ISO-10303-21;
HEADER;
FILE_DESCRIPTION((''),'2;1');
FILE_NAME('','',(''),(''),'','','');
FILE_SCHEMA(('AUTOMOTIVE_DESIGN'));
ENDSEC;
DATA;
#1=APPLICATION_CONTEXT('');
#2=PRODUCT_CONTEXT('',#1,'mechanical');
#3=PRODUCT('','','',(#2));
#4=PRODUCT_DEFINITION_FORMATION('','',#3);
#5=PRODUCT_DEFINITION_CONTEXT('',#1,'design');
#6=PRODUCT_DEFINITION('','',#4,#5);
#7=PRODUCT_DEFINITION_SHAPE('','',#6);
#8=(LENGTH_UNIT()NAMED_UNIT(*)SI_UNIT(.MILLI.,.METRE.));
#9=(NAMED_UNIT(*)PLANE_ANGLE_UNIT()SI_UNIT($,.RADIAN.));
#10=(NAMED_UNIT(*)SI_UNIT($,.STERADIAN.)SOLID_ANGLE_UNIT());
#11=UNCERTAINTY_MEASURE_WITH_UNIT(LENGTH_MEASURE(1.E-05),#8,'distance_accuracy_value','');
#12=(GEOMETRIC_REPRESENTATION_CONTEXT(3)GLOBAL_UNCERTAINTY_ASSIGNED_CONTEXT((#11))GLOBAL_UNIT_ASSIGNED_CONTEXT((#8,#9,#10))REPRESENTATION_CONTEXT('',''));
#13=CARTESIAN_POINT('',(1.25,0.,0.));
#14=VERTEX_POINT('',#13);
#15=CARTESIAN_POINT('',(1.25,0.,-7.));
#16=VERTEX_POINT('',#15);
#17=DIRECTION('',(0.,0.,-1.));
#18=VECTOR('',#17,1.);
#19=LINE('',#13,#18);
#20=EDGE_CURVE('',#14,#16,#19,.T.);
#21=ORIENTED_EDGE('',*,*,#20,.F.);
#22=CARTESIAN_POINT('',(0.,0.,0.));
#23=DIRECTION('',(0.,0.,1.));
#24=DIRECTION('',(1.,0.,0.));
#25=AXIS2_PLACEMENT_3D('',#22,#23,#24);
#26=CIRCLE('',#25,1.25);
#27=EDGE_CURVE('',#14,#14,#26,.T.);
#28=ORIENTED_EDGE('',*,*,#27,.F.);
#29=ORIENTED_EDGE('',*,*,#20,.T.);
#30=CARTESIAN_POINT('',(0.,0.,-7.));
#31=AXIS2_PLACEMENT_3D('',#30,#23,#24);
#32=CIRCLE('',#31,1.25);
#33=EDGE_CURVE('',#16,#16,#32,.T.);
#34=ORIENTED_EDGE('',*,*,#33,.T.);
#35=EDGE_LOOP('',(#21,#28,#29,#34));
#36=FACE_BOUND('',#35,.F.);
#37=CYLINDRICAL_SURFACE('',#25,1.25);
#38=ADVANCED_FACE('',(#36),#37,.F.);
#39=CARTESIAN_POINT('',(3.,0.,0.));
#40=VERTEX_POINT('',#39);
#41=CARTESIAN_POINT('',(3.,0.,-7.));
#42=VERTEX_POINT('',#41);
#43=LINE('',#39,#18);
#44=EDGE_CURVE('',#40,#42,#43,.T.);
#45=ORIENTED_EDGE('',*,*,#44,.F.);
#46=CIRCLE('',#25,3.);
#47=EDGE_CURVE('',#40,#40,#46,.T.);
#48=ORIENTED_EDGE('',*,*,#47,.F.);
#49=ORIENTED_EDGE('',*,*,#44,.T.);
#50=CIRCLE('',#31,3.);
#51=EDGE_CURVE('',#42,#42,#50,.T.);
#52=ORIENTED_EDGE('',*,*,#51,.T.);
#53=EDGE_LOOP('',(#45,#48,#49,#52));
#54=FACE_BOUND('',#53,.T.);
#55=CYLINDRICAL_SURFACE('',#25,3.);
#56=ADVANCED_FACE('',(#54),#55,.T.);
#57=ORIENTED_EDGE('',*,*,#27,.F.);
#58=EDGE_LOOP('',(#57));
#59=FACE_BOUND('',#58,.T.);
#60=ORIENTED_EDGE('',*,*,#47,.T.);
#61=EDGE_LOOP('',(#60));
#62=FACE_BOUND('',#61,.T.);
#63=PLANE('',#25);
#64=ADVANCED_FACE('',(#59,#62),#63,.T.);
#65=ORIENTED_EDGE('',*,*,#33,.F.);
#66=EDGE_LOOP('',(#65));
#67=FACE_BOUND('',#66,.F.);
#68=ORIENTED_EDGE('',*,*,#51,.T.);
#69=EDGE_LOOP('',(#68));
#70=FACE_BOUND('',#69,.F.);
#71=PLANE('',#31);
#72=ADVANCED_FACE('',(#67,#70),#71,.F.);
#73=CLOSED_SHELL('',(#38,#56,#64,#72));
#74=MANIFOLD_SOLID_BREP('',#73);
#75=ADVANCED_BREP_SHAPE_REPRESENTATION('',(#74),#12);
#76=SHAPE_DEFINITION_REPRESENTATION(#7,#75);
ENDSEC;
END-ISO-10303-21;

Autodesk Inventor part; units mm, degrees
ref_plane "YZ Plane" through (0, 0, 0) normal (1, 0, 0) x (0, 1, 0)
ref_plane "XZ Plane" through (0, 0, 0) normal (0, 1, 0) x (-1, 0, 0)
ref_plane "XY Plane" through (0, 0, 0) normal (0, 0, 1) x (1, 0, 0)
sketch "Sketch1" plane through (0, 0, 0) normal (0, 0, 1) x (1, 0, 0)
  circle A0 centre (0, 0) radius 1.25
  circle A1 centre (0, 0) radius 3
  dimension "d0" = 2.5
  dimension "d1" = 6
extrude "Extrusion1" add sketch "Sketch1" against normal blind 7
properties part number "l40" material "Aluminum 2014-T4"
